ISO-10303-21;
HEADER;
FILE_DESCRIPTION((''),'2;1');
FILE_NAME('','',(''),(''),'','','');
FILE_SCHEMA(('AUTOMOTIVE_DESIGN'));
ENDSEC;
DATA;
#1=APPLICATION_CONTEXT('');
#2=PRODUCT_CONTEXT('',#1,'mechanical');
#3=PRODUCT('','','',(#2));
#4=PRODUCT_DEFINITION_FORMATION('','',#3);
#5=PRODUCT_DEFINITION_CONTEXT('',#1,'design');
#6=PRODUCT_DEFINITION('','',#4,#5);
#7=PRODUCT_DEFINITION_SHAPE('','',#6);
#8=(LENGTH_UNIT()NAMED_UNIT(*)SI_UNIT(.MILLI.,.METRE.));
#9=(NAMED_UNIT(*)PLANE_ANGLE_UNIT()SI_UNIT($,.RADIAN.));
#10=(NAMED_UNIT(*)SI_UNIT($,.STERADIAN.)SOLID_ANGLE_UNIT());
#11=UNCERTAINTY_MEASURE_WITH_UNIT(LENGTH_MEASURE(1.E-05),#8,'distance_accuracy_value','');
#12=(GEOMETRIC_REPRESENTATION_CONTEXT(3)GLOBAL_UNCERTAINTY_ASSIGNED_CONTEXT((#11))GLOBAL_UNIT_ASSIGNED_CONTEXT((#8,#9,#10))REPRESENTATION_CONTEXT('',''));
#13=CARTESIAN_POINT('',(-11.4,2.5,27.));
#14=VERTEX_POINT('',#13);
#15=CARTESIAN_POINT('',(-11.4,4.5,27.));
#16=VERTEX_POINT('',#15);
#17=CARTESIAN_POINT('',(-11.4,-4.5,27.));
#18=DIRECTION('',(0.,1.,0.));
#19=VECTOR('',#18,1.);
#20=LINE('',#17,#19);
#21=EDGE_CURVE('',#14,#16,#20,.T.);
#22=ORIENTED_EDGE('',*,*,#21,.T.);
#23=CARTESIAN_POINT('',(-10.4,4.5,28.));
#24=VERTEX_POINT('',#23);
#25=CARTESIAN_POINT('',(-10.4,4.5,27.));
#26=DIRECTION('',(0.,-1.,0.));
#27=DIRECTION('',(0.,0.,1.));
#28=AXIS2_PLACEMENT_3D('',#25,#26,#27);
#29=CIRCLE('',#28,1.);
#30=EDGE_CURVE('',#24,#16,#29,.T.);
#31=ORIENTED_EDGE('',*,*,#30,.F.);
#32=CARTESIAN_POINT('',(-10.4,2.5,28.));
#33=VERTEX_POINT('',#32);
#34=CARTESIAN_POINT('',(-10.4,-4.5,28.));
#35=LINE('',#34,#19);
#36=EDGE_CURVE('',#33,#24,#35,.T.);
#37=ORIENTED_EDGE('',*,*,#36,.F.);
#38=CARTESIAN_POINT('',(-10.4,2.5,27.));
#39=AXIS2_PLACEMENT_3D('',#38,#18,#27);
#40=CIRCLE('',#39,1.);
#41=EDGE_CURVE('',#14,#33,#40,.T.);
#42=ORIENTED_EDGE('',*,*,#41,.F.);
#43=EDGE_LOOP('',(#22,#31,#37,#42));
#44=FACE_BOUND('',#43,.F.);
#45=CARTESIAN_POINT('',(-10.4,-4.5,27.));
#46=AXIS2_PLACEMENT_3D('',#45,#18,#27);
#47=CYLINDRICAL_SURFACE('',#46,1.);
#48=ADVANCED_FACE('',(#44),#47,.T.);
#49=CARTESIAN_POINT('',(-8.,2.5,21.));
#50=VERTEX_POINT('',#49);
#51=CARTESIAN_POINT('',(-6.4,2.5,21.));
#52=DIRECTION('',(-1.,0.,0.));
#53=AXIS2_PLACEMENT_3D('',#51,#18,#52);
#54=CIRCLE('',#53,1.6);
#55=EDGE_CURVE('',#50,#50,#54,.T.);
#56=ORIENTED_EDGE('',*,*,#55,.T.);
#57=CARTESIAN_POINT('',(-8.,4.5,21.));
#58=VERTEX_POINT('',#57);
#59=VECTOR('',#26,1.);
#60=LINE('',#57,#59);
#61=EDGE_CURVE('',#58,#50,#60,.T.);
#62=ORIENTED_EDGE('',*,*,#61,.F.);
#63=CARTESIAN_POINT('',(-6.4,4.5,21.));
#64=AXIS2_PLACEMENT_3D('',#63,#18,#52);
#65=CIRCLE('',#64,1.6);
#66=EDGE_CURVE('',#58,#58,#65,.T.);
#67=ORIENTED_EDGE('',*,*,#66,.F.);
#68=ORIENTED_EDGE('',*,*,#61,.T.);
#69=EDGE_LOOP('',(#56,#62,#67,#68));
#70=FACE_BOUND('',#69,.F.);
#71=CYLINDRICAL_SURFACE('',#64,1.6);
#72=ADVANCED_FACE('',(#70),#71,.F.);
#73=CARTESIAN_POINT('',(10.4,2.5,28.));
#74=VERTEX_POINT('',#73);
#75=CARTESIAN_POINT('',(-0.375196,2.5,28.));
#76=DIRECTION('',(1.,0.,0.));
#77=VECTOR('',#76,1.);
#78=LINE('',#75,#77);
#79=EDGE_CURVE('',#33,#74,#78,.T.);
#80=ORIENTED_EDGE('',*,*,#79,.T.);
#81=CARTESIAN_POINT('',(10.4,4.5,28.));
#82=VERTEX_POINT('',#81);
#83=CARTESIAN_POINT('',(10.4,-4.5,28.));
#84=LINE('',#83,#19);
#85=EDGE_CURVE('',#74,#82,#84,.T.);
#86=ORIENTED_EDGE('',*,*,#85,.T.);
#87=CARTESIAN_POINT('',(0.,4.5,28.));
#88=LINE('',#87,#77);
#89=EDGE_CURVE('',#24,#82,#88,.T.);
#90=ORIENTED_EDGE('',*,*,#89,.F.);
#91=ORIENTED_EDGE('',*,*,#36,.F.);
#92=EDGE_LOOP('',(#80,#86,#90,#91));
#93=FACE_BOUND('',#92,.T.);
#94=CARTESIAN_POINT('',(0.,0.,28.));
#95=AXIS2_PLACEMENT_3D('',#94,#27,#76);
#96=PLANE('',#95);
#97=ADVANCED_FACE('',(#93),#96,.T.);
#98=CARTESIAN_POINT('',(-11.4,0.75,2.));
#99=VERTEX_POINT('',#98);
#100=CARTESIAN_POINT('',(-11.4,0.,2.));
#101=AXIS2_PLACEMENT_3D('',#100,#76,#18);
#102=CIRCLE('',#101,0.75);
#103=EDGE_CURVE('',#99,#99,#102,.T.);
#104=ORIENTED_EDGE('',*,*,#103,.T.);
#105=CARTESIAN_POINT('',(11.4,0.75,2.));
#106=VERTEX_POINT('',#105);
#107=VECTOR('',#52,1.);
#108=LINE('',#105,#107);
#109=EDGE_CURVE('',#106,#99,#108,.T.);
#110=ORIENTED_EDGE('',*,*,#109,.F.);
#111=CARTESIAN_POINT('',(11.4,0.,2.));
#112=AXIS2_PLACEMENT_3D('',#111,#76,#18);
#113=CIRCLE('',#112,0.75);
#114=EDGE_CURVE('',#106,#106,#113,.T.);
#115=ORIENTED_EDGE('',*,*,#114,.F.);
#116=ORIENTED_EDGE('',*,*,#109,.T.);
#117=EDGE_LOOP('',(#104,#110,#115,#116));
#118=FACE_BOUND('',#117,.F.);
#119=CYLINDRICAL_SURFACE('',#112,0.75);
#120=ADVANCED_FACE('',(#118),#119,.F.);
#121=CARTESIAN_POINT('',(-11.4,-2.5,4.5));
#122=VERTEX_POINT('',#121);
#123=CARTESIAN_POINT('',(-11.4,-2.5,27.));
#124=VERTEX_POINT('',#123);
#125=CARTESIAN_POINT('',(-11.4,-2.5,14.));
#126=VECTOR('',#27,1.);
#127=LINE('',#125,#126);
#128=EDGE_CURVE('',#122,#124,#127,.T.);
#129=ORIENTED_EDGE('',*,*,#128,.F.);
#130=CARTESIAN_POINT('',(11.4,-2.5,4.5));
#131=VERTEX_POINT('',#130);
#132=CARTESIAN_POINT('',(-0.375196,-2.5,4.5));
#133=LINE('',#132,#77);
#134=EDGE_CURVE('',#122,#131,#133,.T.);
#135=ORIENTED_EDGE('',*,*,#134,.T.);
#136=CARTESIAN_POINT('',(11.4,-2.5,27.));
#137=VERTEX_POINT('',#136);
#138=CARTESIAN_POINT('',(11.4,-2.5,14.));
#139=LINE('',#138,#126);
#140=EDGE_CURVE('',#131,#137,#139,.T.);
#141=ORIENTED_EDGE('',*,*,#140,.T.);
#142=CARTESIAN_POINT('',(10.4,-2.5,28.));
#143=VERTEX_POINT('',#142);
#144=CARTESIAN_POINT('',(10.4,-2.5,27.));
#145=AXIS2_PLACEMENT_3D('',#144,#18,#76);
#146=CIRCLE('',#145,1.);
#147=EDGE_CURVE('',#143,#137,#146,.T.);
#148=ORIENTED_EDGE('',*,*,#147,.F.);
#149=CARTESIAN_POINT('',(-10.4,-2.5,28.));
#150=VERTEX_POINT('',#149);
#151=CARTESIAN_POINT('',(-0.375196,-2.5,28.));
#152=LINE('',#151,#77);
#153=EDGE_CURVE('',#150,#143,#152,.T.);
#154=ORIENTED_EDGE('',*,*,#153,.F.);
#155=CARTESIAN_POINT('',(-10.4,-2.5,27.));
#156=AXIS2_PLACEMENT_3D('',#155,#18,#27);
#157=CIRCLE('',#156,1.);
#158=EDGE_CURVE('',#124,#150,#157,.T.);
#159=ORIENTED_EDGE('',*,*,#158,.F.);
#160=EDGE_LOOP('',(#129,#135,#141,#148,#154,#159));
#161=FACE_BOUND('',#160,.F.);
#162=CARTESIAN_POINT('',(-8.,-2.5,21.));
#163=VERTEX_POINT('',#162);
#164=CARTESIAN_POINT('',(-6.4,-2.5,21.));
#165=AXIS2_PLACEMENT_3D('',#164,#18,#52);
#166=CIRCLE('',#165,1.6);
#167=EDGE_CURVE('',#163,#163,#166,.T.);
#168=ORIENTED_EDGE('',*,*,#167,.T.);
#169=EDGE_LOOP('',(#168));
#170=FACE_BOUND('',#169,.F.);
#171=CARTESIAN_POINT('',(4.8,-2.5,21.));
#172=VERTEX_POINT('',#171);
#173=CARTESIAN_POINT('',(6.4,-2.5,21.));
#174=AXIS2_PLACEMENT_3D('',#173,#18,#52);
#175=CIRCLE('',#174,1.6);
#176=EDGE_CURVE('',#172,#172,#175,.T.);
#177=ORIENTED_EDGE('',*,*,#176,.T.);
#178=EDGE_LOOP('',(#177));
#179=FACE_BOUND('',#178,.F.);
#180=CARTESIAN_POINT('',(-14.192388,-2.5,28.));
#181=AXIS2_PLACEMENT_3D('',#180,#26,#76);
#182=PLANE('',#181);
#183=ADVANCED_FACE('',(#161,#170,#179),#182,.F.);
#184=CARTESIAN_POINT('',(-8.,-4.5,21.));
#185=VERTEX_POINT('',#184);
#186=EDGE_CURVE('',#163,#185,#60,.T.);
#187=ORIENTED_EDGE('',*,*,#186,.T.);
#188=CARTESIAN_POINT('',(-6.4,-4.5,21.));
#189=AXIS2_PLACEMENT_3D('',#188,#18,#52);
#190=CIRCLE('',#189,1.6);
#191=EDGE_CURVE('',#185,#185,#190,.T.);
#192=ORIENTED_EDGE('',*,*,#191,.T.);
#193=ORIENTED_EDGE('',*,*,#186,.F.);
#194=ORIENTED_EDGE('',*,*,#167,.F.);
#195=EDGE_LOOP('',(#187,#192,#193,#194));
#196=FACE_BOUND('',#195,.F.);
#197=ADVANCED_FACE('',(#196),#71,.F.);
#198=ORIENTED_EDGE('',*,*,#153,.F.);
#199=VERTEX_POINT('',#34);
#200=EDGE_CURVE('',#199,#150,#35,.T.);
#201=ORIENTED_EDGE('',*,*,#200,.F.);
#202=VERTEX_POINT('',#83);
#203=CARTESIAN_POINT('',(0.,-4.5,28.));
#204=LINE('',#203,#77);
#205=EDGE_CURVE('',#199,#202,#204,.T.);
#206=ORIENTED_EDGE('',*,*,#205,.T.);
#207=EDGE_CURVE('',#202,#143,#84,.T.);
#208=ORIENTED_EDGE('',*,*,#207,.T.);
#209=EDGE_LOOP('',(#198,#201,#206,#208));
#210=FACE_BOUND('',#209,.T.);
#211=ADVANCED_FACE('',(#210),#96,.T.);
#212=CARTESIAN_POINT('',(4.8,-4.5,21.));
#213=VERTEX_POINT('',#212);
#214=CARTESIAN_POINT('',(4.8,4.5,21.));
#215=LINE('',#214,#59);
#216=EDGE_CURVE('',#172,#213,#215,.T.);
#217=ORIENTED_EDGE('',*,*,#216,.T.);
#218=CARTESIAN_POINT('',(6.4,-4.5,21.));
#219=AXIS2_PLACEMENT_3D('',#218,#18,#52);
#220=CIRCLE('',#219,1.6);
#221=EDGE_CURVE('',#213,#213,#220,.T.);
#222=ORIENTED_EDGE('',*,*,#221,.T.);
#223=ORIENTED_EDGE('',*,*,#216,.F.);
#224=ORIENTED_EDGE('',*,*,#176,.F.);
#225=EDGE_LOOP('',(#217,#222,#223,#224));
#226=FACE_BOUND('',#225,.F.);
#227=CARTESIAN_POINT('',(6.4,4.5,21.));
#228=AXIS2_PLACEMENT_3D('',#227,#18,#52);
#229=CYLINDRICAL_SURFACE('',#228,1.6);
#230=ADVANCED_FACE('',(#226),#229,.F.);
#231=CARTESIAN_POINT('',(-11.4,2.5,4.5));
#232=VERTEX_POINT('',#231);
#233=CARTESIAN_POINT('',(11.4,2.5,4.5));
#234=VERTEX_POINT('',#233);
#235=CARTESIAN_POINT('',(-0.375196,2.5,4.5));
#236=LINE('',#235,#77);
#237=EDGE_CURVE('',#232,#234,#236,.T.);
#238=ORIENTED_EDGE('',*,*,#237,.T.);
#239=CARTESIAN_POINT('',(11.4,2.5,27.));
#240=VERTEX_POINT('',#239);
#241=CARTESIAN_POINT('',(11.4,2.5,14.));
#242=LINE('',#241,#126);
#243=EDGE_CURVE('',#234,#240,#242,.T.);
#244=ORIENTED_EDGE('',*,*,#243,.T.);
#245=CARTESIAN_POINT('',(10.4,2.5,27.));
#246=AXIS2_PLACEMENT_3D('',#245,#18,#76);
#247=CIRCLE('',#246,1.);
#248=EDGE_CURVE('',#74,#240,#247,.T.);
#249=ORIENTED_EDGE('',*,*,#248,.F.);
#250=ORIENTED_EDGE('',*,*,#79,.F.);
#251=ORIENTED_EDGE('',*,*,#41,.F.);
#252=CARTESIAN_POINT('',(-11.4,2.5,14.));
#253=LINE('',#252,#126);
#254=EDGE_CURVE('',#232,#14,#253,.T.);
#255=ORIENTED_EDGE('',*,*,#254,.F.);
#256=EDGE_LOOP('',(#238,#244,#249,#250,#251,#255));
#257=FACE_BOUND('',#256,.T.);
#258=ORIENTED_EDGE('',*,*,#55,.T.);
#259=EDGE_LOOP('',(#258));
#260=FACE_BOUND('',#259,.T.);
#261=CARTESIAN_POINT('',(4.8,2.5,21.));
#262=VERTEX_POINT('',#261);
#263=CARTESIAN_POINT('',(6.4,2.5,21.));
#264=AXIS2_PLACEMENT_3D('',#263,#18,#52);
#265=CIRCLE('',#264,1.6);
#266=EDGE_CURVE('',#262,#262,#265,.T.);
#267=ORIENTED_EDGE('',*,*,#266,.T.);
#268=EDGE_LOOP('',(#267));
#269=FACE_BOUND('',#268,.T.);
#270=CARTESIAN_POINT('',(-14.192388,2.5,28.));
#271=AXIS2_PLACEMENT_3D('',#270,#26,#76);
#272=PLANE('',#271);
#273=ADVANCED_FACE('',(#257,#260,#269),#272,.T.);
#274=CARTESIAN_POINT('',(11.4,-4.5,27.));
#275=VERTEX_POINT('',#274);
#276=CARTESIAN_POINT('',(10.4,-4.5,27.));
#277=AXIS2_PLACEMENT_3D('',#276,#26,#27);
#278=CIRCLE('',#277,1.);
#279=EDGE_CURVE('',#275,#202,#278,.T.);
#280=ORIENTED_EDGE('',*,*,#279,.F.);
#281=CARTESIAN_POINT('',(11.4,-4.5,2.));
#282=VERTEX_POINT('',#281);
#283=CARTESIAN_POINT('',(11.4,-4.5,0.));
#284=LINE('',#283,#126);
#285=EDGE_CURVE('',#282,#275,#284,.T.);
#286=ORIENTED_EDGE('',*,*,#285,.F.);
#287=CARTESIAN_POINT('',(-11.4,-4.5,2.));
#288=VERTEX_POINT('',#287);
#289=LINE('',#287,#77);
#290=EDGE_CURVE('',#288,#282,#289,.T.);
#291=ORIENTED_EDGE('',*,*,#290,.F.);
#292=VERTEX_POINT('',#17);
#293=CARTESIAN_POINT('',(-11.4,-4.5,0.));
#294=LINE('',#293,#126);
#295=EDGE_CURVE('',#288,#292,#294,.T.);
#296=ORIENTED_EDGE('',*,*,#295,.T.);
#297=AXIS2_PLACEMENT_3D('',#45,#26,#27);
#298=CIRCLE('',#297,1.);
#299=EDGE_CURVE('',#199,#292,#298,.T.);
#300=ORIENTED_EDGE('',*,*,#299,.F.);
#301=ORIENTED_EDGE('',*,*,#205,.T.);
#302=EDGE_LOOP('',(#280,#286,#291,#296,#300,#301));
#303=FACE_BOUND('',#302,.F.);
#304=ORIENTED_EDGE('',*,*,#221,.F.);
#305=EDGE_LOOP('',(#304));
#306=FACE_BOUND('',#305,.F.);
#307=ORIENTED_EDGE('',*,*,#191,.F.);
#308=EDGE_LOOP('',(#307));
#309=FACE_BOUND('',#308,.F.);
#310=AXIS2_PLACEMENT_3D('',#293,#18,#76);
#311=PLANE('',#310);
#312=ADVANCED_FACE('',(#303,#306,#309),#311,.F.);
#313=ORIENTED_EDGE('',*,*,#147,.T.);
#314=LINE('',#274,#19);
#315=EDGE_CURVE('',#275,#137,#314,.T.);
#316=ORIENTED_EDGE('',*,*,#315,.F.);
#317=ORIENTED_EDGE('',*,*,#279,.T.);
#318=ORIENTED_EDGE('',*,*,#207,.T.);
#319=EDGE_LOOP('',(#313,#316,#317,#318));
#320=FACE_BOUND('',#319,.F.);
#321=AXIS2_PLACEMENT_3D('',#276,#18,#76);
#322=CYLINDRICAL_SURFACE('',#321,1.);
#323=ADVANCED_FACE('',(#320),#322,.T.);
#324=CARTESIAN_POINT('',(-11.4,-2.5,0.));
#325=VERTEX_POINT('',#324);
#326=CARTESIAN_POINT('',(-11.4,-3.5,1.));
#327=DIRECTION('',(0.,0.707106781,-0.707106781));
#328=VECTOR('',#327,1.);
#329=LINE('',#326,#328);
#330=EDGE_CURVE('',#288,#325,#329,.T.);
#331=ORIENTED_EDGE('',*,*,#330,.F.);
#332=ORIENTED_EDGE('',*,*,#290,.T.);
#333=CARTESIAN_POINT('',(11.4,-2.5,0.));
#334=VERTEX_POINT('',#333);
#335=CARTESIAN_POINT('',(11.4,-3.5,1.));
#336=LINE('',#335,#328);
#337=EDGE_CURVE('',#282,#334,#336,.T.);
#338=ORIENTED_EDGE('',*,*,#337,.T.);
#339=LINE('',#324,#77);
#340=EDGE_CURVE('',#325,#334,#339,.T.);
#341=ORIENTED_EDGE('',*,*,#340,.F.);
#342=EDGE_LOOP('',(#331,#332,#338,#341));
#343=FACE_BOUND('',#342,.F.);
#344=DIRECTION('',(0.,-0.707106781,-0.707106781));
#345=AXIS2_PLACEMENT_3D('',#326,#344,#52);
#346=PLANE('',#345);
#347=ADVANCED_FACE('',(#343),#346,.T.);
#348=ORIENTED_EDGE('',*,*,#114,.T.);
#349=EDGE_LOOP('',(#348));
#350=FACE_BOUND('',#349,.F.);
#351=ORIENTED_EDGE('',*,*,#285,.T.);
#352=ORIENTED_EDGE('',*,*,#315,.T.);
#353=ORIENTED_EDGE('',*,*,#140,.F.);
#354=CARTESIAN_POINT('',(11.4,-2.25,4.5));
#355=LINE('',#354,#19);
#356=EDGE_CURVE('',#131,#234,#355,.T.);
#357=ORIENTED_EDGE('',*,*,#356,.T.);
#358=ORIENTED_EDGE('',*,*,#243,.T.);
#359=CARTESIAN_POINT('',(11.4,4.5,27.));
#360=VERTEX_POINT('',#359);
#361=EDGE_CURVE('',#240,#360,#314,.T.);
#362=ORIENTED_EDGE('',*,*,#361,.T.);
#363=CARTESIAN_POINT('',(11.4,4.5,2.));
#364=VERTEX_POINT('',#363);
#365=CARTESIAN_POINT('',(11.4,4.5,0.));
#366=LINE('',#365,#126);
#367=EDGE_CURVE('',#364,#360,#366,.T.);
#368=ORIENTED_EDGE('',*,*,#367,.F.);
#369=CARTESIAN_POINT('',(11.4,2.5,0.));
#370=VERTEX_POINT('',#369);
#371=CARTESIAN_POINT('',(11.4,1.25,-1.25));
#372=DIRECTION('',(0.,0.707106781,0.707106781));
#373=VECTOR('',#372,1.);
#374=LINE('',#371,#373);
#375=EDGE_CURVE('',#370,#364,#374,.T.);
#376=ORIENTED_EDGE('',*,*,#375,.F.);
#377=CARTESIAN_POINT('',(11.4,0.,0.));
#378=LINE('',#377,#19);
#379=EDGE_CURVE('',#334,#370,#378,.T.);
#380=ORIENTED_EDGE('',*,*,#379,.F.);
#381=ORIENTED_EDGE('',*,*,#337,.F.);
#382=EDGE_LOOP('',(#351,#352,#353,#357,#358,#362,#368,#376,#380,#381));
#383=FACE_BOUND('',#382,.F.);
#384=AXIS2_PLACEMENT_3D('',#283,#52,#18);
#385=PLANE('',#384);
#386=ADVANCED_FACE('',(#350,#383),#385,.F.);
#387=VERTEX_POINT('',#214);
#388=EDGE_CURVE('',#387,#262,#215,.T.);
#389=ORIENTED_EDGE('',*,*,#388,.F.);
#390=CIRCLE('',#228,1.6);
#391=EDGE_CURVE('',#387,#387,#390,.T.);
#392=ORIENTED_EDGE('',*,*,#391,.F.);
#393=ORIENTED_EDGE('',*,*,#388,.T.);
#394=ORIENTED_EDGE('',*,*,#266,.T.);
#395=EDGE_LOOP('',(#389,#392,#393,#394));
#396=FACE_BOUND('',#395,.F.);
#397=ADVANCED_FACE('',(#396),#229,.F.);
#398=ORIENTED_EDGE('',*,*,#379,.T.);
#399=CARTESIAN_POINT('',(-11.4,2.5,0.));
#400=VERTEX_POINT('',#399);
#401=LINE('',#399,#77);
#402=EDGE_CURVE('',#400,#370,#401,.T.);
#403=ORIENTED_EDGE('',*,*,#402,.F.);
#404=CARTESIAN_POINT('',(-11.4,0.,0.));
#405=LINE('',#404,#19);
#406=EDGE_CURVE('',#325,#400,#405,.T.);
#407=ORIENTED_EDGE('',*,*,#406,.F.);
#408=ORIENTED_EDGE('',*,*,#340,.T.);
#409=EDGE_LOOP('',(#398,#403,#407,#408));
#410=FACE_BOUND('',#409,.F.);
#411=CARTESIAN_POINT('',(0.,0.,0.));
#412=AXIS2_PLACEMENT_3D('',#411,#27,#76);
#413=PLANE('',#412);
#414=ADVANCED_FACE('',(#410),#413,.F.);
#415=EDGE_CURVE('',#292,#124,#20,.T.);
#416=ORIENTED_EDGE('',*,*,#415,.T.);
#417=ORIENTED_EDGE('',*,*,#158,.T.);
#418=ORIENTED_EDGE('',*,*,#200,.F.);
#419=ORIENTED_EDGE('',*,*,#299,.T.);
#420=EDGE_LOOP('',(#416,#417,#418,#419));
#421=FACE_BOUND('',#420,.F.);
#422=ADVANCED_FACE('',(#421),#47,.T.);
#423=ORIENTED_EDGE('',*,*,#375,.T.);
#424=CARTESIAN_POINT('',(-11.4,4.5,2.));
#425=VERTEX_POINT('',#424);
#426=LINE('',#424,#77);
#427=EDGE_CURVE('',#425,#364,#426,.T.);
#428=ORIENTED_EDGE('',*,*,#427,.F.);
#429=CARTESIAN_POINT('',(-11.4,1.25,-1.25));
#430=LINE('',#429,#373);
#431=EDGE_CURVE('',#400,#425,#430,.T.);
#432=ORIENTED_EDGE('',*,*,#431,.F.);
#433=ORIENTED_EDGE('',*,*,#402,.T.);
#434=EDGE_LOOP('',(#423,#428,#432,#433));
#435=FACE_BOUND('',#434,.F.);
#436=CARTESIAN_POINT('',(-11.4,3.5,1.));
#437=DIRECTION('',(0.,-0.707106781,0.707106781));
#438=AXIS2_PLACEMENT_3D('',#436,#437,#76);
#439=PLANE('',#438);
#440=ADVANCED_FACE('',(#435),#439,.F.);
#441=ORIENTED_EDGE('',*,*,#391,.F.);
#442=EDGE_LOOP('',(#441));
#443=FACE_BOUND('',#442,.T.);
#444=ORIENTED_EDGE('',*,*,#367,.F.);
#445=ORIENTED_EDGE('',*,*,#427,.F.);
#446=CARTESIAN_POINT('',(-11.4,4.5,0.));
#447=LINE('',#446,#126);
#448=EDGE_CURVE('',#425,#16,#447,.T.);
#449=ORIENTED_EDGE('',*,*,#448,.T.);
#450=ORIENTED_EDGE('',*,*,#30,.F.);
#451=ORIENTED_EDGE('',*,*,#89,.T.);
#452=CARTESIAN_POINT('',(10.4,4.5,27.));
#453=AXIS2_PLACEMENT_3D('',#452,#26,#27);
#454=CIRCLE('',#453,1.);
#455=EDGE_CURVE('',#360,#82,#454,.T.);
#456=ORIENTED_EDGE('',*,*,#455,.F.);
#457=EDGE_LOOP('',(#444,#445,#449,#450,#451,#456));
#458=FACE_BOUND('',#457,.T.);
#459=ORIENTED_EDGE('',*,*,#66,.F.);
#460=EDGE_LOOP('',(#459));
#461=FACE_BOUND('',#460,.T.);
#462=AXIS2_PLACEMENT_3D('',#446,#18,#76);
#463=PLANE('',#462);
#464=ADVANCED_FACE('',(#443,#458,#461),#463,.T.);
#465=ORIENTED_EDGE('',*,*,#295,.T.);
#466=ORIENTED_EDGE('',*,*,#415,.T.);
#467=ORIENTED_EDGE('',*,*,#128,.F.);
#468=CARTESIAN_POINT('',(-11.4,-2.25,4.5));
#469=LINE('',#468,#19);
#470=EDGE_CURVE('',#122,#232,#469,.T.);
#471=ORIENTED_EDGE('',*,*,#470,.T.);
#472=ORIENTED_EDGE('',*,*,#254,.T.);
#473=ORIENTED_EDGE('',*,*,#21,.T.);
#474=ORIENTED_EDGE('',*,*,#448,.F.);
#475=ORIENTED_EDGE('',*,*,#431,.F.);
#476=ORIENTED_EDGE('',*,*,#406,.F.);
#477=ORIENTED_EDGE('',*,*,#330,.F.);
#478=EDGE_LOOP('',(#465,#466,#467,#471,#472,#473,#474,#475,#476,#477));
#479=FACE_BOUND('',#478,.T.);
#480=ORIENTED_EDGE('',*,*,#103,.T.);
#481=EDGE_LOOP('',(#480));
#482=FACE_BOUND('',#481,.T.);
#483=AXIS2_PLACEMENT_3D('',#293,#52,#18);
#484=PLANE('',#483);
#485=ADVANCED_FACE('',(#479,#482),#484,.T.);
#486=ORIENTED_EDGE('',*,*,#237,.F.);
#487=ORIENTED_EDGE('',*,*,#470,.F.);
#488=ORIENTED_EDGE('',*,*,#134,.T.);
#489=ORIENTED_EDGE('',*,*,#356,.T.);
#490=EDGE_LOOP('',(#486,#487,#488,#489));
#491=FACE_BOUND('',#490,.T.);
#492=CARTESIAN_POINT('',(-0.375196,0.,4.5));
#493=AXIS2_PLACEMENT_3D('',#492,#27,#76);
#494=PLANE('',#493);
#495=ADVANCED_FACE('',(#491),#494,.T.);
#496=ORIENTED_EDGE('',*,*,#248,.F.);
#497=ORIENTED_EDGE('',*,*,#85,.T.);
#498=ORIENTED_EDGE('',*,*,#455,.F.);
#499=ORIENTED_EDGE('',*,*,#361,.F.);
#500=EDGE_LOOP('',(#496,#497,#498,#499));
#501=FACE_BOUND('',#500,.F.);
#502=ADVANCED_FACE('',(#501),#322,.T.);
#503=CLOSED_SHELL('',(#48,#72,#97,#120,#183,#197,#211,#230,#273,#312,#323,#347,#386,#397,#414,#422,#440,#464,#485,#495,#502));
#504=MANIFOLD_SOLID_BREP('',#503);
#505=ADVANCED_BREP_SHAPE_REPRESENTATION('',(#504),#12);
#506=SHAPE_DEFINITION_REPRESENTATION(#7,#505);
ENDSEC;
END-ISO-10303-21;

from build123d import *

# Parameters (mm, degrees)
SKETCH_W        = 22.8
SKETCH_H        = 9
PAD_DEPTH       = 28
FILLET_R        = 1
FILLET001_R     = 1
SKETCH001_W     = 27.634385
SKETCH001_H     = 5
POCKET_DEPTH    = 23.5
SKETCH002_R     = 0.75
POCKET001_DEPTH = 30
SKETCH003_R     = 1.6
POCKET002_DEPTH = 20
CHAMFER_SIZE    = 2
CHAMFER001_SIZE = 2


with BuildPart() as part:
    # Sketch → Pad (new body)
    with BuildSketch(Plane.XY):
        Rectangle(SKETCH_W, SKETCH_H)
    extrude(amount=PAD_DEPTH)

    # Fillet
    fillet_edges = [part.edges().sort_by_distance(p)[0] for p in [
        (11.4, 0, 28),
    ]]
    fillet(fillet_edges, radius=FILLET_R)

    # Fillet001
    fillet001_edges = [part.edges().sort_by_distance(p)[0] for p in [
        (-11.4, 0, 28),
    ]]
    fillet(fillet001_edges, radius=FILLET001_R)

    # Sketch001 (on Face2 of Fillet001) → Pocket (cut)
    with BuildSketch(Plane.XY.offset(28)):
        with Locations((-0.375196, 0)):
            Rectangle(SKETCH001_W, SKETCH001_H)
    extrude(amount=-POCKET_DEPTH, mode=Mode.SUBTRACT)

    # Sketch002 (on Face6 of Pocket) → Pocket001 (cut)
    with BuildSketch(Plane.YZ.offset(11.4)):
        with Locations((0, 2)):
            Circle(SKETCH002_R)
    extrude(amount=-POCKET001_DEPTH, mode=Mode.SUBTRACT)

    # Sketch003 (on Face1 of Pocket) → Pocket002 (cut)
    with BuildSketch(Plane(origin=(0, 4.5, 0), x_dir=(-1, 0, 0), z_dir=(0, 1, 0))):
        with Locations((-6.4, 21)):
            Circle(SKETCH003_R)
        with Locations((6.4, 21)):
            Circle(SKETCH003_R)
    extrude(amount=-POCKET002_DEPTH, mode=Mode.SUBTRACT)

    # Chamfer
    chamfer_edges = [part.edges().sort_by_distance(p)[0] for p in [
        (0, -4.5, 0),
    ]]
    chamfer(chamfer_edges, length=CHAMFER_SIZE)

    # Chamfer001
    chamfer001_edges = [part.edges().sort_by_distance(p)[0] for p in [
        (0, 4.5, 0),
    ]]
    chamfer(chamfer001_edges, length=CHAMFER001_SIZE)


solid = part.part
